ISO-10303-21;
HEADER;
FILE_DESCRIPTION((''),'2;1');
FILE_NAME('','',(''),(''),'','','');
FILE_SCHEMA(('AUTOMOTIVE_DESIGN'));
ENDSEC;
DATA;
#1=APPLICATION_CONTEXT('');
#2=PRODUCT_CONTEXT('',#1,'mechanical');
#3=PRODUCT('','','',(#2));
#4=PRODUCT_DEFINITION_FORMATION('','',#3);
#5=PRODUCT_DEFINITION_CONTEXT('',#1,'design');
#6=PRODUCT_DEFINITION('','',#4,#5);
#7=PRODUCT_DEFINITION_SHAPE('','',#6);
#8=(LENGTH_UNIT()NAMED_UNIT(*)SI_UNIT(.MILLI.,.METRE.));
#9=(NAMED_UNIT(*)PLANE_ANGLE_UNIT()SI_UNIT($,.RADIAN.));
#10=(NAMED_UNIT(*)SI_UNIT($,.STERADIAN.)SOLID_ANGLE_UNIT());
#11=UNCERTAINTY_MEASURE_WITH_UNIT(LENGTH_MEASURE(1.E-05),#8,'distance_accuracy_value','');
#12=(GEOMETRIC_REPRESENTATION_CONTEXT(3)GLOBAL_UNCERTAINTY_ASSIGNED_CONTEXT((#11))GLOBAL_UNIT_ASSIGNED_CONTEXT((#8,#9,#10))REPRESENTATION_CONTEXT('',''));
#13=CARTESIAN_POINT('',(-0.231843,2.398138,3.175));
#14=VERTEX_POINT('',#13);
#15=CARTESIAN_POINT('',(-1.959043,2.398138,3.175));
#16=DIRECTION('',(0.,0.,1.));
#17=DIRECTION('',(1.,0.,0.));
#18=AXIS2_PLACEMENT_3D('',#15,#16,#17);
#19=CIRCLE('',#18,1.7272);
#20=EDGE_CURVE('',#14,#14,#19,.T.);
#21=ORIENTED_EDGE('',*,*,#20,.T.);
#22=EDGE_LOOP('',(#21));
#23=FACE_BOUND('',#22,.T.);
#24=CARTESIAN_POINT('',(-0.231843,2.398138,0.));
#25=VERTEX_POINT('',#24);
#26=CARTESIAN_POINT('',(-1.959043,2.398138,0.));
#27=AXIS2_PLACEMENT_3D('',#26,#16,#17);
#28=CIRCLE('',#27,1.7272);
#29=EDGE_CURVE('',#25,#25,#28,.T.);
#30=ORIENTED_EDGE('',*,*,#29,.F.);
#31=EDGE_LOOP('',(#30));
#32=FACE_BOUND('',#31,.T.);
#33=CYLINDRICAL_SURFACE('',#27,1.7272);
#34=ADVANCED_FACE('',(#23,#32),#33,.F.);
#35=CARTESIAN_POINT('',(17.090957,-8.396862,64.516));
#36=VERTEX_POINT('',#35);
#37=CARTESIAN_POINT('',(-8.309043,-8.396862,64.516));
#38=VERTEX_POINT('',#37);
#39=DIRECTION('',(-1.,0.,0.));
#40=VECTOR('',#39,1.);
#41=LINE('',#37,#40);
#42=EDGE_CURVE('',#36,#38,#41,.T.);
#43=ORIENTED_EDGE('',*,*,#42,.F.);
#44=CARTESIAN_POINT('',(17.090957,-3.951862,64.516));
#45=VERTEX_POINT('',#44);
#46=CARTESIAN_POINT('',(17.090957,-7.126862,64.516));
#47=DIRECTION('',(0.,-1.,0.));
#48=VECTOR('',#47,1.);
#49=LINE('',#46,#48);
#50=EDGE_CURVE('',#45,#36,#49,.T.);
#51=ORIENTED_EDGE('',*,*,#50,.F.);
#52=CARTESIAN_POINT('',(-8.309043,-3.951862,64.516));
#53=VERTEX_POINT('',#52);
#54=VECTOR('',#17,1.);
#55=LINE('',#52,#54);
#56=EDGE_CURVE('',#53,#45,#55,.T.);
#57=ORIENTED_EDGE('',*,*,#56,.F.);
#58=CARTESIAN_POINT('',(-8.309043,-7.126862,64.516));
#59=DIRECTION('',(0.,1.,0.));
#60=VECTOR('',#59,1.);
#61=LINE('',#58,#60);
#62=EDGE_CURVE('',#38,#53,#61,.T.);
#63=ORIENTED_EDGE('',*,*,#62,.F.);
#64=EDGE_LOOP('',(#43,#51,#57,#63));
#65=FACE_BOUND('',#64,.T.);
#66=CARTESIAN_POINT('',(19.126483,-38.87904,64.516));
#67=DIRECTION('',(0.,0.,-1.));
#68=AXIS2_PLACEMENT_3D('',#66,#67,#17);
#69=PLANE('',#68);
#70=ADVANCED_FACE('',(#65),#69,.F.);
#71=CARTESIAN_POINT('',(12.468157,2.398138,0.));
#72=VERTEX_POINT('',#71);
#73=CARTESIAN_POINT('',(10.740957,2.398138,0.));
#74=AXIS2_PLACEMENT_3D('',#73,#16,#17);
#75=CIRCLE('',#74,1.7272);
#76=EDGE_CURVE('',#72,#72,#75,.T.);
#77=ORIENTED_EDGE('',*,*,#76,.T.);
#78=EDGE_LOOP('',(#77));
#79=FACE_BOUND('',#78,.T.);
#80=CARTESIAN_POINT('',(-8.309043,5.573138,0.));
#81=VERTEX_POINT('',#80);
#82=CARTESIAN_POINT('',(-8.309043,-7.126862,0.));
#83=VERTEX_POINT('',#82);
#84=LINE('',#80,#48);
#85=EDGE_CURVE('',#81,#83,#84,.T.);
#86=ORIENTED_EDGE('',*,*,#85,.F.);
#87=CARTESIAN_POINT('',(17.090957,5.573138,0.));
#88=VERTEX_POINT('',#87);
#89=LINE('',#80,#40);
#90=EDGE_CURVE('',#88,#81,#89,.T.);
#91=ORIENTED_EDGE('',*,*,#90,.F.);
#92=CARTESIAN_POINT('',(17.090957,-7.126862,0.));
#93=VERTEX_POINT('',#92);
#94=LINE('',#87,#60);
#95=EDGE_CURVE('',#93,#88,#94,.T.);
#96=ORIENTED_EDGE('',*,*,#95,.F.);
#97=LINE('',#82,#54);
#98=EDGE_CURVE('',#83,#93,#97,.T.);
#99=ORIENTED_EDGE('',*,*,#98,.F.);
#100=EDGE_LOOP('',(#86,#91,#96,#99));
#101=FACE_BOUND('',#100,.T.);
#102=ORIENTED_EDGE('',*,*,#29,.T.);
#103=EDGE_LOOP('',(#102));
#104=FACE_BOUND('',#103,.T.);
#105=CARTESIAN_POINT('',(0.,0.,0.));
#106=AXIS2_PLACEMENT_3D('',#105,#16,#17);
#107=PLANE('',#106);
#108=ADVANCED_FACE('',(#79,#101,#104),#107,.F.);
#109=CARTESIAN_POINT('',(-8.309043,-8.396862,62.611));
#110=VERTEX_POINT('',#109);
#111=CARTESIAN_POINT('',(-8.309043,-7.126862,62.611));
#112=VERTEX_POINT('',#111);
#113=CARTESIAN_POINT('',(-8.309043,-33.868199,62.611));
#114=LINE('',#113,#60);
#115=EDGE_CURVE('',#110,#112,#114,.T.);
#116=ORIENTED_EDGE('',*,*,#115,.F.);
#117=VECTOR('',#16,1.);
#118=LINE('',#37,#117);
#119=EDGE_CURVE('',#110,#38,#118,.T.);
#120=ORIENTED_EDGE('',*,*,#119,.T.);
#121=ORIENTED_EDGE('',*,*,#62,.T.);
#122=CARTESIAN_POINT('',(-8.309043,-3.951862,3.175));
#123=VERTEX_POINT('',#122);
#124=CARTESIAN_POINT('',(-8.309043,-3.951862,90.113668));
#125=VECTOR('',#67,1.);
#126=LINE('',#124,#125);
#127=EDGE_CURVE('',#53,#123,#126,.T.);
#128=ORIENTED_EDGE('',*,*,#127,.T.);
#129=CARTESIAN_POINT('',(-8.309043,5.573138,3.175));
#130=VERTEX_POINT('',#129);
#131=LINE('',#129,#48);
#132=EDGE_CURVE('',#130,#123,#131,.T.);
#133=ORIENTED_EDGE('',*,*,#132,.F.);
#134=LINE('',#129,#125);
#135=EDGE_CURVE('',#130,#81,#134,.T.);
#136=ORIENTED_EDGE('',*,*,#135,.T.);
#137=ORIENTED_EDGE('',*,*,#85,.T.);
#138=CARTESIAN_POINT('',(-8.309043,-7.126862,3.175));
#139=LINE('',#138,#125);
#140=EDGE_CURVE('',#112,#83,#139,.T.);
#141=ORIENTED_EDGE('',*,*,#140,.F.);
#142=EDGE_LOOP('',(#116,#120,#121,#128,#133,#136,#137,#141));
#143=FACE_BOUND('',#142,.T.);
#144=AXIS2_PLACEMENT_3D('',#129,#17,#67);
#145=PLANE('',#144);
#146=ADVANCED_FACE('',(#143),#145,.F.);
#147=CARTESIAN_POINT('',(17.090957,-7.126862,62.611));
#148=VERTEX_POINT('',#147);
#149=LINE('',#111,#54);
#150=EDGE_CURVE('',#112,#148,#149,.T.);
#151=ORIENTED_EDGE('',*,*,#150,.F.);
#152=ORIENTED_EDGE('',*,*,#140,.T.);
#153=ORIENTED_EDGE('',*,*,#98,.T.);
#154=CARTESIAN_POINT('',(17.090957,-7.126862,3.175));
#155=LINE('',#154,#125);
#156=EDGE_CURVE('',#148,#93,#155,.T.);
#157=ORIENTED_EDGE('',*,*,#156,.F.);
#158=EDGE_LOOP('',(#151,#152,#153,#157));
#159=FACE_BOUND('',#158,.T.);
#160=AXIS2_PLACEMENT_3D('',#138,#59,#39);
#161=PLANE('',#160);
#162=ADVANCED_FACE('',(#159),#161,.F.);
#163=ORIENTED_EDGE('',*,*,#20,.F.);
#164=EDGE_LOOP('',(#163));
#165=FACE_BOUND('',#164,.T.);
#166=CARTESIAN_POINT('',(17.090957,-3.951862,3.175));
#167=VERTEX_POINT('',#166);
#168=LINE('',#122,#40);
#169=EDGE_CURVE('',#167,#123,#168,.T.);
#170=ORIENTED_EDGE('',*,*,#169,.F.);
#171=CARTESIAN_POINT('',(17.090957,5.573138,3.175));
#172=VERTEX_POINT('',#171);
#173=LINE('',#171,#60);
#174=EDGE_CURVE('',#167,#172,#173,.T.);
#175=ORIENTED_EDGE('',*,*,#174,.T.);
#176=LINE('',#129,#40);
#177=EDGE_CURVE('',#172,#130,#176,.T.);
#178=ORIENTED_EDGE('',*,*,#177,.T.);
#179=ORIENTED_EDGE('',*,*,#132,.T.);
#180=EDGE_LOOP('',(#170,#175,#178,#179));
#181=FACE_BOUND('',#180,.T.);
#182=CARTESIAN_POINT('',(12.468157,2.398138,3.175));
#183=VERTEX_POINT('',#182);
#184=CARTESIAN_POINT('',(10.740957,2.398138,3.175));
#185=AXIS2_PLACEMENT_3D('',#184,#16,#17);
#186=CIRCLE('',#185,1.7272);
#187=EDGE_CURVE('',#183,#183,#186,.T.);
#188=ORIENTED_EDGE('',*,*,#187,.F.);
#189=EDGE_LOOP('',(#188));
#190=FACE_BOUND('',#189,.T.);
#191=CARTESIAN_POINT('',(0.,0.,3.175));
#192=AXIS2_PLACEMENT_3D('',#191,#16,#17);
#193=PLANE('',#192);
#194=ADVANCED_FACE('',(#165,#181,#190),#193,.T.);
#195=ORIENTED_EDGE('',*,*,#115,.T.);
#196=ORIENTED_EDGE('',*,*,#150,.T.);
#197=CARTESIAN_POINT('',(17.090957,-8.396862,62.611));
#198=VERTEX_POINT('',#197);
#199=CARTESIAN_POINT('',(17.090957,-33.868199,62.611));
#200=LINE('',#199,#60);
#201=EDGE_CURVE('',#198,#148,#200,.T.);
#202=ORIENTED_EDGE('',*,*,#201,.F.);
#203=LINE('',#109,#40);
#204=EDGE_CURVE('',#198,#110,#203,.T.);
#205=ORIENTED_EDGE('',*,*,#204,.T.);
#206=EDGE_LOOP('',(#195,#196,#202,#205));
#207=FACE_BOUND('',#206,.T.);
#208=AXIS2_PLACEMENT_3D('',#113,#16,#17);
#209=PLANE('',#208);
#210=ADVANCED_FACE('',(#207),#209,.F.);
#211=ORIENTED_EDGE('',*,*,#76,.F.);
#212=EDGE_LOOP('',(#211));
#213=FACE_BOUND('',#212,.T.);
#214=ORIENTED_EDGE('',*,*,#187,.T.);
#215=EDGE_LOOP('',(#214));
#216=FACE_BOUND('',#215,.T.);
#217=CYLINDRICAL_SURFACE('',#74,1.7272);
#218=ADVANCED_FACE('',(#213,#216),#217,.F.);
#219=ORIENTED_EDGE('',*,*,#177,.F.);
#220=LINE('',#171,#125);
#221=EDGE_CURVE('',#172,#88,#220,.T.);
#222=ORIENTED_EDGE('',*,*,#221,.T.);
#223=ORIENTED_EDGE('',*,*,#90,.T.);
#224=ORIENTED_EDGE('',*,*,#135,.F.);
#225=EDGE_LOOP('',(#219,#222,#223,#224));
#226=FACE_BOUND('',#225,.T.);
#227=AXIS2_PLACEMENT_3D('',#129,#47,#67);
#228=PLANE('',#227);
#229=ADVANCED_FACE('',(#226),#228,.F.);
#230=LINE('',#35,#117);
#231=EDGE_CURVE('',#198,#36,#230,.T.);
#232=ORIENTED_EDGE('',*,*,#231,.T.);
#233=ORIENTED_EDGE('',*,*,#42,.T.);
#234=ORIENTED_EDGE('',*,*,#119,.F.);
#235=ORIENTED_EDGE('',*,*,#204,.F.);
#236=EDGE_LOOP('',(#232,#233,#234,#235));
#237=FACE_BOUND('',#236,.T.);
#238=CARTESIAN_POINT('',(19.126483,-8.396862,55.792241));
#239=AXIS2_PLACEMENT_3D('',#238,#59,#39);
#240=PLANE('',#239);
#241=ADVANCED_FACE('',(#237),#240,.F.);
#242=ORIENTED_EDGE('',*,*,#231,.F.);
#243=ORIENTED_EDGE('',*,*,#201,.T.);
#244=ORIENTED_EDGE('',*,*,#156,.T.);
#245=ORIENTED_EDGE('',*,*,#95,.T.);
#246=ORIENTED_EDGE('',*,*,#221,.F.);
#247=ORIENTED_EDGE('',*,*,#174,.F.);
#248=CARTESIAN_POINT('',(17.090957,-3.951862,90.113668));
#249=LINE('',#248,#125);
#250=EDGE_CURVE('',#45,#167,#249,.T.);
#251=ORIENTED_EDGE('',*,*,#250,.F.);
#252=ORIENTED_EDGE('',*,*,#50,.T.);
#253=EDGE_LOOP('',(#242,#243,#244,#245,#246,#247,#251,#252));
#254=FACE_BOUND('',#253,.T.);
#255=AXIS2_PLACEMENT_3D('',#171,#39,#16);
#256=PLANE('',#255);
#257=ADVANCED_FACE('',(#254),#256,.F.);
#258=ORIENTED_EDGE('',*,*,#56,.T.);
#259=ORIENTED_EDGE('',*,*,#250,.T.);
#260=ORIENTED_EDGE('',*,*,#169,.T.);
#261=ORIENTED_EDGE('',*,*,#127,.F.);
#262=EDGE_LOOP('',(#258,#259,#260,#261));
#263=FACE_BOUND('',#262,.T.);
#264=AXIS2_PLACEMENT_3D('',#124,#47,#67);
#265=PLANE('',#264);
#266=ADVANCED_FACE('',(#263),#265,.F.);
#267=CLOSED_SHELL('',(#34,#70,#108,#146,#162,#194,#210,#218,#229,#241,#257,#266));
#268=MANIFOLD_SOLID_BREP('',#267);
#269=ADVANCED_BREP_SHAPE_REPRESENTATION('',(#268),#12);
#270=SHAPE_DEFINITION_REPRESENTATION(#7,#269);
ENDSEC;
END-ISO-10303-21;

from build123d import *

# Parameters (mm, degrees)
SKETCH1_W           = 25.4
SKETCH1_H           = 12.7
BOSS_EXTRUDE1_DEPTH = 3.175
CUT_EXTRUDE1_DEPTH  = 3.175
SKETCH3_W           = 25.4
SKETCH3_H           = 3.175
BOSS_EXTRUDE2_DEPTH = 61.341
SKETCH4_W           = 25.4
SKETCH4_H           = 1.905
BOSS_EXTRUDE3_DEPTH = 1.27


with BuildPart() as part:
    # Sketch1 → Boss-Extrude1 (new body)
    with BuildSketch(Plane.XY):
        with Locations((4.390957447, -0.776861702)):
            Rectangle(SKETCH1_W, SKETCH1_H)
    extrude(amount=BOSS_EXTRUDE1_DEPTH)

    # Sketch2 → Cut-Extrude1 (cut)
    with BuildSketch(Plane.XY.offset(3.175)):
        with BuildLine():
            ThreePointArc((12.468157447, 2.398138298), (11.962272279, 3.61945313), (10.740957447, 4.125338298))
            Line((10.740957447, 4.125338298), (10.740957447, 0.670938298))
            ThreePointArc((10.740957447, 0.670938298), (11.962272279, 1.176823465), (12.468157447, 2.398138298))
        make_face()
        with BuildLine():
            Line((10.740957447, 0.670938298), (10.740957447, 4.125338298))
            ThreePointArc((10.740957447, 4.125338298), (9.013757447, 2.398138298), (10.740957447, 0.670938298))
        make_face()
        with BuildLine():
            ThreePointArc((-0.231842553, 2.398138298), (-0.737727721, 3.61945313), (-1.959042553, 4.125338298))
            Line((-1.959042553, 4.125338298), (-1.959042553, 0.670938298))
            ThreePointArc((-1.959042553, 0.670938298), (-0.737727721, 1.176823465), (-0.231842553, 2.398138298))
        make_face()
        with BuildLine():
            Line((-1.959042553, 0.670938298), (-1.959042553, 4.125338298))
            ThreePointArc((-1.959042553, 4.125338298), (-3.686242553, 2.398138298), (-1.959042553, 0.670938298))
        make_face()
    extrude(amount=-CUT_EXTRUDE1_DEPTH, mode=Mode.SUBTRACT)

    # Sketch3 → Boss-Extrude2 (add)
    with BuildSketch(Plane.XY.offset(3.175)):
        with Locations((4.390957447, -5.539361702)):
            Rectangle(SKETCH3_W, SKETCH3_H)
    extrude(amount=BOSS_EXTRUDE2_DEPTH)

    # Sketch4 → Boss-Extrude3 (add)
    with BuildSketch(Plane.XZ.offset(7.126861702)):
        with Locations((4.390957447, 63.5635)):
            Rectangle(SKETCH4_W, SKETCH4_H)
    extrude(amount=BOSS_EXTRUDE3_DEPTH)


solid = part.part
